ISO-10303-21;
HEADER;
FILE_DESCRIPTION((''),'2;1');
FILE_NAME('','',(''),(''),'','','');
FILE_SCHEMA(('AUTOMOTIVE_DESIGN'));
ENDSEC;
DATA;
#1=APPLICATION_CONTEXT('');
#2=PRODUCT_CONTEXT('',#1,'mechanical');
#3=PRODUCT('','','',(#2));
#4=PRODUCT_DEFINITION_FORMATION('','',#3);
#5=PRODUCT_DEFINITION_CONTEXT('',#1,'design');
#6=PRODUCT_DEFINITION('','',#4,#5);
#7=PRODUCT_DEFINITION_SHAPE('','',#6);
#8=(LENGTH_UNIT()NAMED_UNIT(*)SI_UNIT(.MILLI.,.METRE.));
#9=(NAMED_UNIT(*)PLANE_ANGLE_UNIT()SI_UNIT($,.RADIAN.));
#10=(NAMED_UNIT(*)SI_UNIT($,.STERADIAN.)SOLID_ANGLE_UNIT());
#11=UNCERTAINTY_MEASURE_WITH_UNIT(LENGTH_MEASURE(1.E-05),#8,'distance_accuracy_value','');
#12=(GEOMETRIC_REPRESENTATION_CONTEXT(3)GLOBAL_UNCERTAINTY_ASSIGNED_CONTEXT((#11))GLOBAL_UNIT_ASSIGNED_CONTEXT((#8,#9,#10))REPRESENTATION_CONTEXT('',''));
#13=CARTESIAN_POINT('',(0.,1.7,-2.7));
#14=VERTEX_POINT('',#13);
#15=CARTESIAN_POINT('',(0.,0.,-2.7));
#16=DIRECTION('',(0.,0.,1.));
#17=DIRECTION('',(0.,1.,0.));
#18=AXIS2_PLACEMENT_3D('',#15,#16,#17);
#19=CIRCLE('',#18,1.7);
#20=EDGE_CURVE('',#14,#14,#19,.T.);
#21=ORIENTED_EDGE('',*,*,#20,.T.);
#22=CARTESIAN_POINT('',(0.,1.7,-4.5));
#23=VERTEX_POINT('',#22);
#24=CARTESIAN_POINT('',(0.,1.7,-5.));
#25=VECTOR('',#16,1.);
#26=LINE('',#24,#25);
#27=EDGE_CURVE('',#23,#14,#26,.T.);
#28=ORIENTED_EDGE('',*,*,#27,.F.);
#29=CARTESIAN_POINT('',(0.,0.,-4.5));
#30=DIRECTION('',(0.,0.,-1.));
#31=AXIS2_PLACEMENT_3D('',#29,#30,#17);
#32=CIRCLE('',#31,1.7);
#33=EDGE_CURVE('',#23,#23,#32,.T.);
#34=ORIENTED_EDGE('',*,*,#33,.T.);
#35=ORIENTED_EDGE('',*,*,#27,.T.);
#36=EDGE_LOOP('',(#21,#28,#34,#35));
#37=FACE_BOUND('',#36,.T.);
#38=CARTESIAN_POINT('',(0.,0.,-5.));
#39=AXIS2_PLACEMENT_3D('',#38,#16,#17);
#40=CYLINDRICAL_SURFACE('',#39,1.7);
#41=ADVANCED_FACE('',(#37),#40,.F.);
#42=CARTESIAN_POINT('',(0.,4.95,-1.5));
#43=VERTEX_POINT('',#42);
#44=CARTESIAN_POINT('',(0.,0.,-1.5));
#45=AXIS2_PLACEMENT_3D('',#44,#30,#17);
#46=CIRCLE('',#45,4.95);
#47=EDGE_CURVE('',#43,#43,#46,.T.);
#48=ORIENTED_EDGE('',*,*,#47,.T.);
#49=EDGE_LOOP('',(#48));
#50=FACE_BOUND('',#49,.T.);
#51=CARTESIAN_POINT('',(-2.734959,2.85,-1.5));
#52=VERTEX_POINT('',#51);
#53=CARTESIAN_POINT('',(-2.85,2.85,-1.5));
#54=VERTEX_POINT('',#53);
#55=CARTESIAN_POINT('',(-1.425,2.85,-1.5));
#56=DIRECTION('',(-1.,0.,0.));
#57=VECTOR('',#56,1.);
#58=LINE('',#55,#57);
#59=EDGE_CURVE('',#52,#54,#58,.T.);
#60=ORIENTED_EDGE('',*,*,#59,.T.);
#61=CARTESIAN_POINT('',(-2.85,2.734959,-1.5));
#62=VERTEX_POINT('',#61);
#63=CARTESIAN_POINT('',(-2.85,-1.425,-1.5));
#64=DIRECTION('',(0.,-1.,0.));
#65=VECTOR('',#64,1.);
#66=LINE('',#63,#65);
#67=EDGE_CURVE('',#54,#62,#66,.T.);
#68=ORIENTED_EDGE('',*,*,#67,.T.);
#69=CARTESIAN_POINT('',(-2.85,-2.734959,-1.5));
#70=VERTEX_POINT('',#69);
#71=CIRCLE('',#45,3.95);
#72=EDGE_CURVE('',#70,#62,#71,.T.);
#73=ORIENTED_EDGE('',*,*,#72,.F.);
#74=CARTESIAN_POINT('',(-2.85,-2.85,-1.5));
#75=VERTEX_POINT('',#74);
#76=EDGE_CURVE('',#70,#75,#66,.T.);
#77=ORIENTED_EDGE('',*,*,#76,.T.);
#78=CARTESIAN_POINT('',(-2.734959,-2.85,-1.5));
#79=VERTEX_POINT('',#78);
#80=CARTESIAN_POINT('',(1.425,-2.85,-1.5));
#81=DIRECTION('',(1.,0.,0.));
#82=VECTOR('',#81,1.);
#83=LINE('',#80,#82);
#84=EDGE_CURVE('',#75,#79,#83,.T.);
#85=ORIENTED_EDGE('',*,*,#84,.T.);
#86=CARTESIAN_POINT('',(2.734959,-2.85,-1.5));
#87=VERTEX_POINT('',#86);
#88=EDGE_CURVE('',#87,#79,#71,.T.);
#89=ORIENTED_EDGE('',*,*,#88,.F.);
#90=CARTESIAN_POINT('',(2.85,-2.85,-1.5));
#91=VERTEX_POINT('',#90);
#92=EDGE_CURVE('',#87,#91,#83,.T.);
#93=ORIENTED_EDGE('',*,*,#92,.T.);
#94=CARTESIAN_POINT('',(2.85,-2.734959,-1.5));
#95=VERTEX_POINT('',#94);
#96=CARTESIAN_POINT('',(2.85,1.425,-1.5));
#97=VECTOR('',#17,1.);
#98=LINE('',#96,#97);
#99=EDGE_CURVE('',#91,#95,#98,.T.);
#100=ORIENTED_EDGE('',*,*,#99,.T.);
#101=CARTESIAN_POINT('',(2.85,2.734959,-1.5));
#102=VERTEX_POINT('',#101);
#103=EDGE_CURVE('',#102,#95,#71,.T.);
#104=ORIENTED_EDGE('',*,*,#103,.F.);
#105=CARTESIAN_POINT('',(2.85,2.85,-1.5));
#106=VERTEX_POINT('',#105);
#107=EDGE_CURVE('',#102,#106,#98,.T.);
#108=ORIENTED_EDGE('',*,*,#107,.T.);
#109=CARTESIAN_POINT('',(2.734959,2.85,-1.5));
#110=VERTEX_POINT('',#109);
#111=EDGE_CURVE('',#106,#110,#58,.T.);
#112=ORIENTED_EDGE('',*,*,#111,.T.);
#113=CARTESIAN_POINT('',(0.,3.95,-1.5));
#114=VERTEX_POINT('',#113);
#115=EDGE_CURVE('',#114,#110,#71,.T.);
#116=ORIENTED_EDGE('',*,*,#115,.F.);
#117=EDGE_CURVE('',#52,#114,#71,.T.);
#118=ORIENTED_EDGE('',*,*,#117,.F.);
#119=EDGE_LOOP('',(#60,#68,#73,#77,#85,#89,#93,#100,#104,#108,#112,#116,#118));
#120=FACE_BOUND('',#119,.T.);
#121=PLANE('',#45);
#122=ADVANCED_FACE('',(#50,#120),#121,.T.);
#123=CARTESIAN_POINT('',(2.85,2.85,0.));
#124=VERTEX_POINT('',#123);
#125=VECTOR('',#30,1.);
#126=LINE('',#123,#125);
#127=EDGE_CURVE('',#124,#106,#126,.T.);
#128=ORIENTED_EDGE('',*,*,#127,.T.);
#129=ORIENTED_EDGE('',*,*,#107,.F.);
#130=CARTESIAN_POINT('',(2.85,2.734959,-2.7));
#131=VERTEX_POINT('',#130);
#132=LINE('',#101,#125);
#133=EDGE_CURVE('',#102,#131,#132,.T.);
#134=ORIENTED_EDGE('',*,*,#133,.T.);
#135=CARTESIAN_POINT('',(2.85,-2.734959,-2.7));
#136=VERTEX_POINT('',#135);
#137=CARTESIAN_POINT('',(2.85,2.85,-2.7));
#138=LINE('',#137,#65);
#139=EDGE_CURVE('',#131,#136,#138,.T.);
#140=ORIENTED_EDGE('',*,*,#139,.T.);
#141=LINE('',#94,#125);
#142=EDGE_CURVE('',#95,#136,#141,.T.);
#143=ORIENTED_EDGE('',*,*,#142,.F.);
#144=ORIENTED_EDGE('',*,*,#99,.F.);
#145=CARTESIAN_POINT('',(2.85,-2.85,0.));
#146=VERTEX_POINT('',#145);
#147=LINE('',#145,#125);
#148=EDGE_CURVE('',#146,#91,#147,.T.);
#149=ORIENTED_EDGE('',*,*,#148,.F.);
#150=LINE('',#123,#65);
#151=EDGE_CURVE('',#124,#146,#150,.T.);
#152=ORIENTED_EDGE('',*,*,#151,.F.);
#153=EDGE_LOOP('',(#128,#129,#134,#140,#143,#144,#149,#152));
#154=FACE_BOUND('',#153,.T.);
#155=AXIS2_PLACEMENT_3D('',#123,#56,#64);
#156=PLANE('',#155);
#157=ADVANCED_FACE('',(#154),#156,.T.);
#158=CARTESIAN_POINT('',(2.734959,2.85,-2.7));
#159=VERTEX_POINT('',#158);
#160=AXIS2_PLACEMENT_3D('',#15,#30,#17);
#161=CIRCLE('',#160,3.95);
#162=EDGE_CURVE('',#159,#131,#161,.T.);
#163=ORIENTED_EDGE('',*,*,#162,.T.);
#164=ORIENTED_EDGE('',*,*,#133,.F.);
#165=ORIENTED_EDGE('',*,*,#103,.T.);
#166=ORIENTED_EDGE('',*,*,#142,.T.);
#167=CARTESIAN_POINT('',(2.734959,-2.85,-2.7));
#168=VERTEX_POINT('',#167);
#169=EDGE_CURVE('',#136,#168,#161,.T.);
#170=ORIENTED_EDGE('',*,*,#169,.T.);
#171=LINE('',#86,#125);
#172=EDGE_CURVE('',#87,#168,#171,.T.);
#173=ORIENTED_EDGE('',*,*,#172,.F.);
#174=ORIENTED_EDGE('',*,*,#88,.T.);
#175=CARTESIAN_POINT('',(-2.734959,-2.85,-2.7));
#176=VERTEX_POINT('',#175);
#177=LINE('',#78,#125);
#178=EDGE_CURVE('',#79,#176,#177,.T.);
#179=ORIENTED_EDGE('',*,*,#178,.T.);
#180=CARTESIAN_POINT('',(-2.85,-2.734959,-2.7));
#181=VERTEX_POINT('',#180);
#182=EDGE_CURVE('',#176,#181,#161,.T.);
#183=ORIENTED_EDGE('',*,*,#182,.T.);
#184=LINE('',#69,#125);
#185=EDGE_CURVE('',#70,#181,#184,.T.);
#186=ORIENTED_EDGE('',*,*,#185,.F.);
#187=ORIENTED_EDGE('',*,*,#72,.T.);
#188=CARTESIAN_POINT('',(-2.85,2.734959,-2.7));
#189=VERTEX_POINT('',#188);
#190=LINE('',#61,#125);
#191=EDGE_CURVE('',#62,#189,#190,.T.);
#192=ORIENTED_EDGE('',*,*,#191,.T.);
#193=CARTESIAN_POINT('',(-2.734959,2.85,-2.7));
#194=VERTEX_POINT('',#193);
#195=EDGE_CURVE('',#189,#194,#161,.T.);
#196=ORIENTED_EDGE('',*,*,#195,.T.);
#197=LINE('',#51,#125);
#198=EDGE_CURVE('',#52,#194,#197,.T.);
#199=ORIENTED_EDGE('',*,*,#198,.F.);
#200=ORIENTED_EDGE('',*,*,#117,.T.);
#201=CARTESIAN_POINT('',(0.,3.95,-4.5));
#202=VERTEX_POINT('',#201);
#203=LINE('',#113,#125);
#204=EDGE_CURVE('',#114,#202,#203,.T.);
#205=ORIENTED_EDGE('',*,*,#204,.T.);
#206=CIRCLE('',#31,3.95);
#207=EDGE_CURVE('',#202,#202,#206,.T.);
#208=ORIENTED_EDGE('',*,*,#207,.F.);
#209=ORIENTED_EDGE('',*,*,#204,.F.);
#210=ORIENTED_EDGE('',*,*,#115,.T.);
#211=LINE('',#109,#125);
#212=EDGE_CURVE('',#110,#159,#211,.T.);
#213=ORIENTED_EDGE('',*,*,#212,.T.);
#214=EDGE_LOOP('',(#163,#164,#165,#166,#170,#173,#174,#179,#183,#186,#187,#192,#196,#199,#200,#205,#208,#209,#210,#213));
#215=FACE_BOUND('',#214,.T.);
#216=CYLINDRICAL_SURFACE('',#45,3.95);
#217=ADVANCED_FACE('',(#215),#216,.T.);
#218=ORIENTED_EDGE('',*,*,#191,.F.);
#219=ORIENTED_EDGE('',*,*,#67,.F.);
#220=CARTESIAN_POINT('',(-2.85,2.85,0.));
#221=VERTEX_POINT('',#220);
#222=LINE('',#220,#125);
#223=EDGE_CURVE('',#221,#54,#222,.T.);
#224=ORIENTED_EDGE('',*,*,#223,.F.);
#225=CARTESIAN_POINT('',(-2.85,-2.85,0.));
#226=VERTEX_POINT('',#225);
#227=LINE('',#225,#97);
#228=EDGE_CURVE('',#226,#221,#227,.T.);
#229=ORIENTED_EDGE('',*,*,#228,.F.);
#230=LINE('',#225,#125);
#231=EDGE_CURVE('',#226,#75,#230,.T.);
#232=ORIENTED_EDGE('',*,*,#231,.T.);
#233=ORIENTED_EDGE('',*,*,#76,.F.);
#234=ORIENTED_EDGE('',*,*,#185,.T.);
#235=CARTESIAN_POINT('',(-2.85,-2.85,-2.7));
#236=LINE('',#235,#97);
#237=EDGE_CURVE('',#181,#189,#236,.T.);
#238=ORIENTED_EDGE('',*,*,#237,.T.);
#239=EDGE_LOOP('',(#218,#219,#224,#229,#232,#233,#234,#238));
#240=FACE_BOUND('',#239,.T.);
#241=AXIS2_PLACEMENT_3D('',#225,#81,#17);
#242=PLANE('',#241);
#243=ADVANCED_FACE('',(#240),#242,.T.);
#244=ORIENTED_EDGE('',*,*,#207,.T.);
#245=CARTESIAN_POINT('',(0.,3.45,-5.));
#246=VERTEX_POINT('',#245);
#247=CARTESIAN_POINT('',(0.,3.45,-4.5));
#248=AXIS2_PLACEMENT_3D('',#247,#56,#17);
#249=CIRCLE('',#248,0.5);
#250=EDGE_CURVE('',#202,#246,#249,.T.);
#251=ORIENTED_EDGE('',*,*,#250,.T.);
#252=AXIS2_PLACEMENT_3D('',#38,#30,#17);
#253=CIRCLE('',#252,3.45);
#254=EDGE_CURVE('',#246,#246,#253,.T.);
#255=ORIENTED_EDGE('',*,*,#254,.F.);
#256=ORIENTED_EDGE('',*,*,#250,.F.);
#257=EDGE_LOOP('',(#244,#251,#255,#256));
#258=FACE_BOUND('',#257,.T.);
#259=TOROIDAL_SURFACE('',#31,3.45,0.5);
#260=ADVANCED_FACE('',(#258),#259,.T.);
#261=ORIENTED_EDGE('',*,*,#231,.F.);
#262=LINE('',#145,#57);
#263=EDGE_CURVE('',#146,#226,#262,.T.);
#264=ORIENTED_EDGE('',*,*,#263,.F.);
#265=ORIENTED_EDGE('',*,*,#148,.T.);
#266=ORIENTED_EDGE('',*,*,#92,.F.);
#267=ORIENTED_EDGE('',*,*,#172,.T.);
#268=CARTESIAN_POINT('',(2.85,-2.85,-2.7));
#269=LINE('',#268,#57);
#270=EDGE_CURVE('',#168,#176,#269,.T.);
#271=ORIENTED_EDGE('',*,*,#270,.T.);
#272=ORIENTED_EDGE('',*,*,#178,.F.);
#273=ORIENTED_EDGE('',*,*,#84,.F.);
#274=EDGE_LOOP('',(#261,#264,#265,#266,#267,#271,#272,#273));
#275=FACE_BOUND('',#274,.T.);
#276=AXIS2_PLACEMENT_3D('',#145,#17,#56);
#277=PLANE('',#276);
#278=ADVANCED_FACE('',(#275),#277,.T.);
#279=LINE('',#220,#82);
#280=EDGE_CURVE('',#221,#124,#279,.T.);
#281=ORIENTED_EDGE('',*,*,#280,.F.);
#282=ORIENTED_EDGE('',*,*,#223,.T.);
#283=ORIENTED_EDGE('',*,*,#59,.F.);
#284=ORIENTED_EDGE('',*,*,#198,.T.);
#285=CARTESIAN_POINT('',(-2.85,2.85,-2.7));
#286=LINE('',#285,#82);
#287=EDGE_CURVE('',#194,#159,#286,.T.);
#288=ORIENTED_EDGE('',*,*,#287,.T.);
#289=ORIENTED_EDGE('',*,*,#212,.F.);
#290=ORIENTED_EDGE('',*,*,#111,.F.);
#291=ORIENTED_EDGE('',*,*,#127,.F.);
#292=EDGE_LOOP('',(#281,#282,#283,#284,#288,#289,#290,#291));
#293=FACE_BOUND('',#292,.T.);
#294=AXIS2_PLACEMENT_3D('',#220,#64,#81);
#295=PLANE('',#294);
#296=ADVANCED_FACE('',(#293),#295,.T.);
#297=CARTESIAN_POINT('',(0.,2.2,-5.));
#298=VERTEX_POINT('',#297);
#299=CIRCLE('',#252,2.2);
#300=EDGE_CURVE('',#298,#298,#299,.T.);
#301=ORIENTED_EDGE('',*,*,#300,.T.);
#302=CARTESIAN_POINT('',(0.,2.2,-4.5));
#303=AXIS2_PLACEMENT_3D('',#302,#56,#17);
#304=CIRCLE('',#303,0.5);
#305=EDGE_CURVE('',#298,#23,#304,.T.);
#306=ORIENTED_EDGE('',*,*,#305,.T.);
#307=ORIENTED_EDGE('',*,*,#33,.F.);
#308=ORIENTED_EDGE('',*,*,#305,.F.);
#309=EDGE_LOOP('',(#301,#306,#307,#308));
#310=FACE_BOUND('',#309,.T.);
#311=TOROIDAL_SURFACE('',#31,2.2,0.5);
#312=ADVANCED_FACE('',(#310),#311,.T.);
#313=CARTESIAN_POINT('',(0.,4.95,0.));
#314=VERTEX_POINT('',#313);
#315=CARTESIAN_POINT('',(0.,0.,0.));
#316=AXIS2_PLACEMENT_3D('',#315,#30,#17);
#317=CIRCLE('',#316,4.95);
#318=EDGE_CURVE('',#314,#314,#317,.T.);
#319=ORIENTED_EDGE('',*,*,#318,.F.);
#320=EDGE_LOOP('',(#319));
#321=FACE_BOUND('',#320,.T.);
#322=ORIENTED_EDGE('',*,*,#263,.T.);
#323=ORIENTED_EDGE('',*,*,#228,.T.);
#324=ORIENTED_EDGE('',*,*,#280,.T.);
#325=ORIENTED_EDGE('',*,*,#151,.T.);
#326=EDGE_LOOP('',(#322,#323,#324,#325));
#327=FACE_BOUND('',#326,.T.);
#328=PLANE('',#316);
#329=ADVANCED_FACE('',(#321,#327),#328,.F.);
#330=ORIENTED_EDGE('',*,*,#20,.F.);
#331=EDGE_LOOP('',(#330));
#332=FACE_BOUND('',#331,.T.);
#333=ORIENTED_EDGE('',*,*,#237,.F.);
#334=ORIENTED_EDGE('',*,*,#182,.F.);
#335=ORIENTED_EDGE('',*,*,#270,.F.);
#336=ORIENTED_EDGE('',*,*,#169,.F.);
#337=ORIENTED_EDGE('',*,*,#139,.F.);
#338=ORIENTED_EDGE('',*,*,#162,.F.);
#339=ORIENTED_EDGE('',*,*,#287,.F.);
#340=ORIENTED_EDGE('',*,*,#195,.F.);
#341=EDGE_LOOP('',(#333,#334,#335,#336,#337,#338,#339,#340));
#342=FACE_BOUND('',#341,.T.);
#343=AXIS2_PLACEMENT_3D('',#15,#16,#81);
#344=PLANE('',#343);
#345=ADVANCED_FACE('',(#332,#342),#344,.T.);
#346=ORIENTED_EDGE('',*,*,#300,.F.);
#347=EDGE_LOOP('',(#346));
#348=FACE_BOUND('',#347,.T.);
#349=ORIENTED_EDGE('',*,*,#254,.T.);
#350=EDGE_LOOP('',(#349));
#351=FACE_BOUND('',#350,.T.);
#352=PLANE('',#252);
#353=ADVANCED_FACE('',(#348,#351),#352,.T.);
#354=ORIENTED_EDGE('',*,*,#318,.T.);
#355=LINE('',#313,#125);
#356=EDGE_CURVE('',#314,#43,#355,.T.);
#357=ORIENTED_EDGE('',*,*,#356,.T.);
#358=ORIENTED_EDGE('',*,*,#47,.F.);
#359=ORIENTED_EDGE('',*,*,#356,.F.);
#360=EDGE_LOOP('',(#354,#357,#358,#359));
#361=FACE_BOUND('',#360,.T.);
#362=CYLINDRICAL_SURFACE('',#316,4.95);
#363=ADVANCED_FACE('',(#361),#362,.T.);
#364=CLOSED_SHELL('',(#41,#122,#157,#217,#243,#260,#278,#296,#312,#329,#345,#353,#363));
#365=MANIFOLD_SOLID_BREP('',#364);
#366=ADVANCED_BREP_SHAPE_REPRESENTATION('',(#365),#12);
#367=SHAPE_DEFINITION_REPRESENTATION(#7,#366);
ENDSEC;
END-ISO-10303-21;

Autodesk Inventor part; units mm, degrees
ref_plane "YZ Plane" through (0, 0, 0) normal (1, 0, 0) x (0, 1, 0)
ref_plane "XZ Plane" through (0, 0, 0) normal (0, 1, 0) x (-1, 0, 0)
ref_plane "XY Plane" through (0, 0, 0) normal (0, 0, 1) x (1, 0, 0)
sketch "Sketch1" plane through (0, 0, 0) normal (1, 0, 0) x (0, 1, 0)
  line L0 (0, 0) -> (1.7, 0) construction
  line L1 (1.7, 0) -> (4.95, 0)
  line L2 (4.95, 0) -> (4.95, -1.5)
  line L3 (4.95, -1.5) -> (3.95, -1.5)
  line L4 (3.95, -1.5) -> (3.95, -5)
  line L5 (3.95, -5) -> (1.7, -5)
  line L6 (1.7, -5) -> (1.7, 0)
  line L7 (0, 0) -> (0, -13.7466) construction
  dimension "d0" = 1.7
  dimension "d1" = 3.95
  dimension "d2" = 1
  dimension "d3" = 1.5
  dimension "d4" = 3.5
revolve "Revolution1" add sketch "Sketch1" angle 360 about axis through (0, 0, 0) along (0, 0, -1)
sketch "Sketch2" plane through (0, 0, 0) normal (0, 0, 1) x (1, 0, 0)
  line L0 (2.85, -2.85) -> (-2.85, -2.85)
  line L1 (-2.85, -2.85) -> (-2.85, 2.85)
  line L2 (-2.85, 2.85) -> (2.85, 2.85)
  line L3 (2.85, 2.85) -> (2.85, -2.85)
  line L4 (2.85, -2.85) -> (-2.85, 2.85) construction
  line L5 (-2.85, -2.85) -> (2.85, 2.85) construction
  point P0 (0, 0)
  dimension "d6" = 5.7
extrude "Extrusion1" cut sketch "Sketch2" against normal blind 2.7
fillet "Fillet1" radius 0.5 2 edges at (0, -3.95, -5) (0, -1.7, -5)
properties part number "HD_BearingShaft1"
